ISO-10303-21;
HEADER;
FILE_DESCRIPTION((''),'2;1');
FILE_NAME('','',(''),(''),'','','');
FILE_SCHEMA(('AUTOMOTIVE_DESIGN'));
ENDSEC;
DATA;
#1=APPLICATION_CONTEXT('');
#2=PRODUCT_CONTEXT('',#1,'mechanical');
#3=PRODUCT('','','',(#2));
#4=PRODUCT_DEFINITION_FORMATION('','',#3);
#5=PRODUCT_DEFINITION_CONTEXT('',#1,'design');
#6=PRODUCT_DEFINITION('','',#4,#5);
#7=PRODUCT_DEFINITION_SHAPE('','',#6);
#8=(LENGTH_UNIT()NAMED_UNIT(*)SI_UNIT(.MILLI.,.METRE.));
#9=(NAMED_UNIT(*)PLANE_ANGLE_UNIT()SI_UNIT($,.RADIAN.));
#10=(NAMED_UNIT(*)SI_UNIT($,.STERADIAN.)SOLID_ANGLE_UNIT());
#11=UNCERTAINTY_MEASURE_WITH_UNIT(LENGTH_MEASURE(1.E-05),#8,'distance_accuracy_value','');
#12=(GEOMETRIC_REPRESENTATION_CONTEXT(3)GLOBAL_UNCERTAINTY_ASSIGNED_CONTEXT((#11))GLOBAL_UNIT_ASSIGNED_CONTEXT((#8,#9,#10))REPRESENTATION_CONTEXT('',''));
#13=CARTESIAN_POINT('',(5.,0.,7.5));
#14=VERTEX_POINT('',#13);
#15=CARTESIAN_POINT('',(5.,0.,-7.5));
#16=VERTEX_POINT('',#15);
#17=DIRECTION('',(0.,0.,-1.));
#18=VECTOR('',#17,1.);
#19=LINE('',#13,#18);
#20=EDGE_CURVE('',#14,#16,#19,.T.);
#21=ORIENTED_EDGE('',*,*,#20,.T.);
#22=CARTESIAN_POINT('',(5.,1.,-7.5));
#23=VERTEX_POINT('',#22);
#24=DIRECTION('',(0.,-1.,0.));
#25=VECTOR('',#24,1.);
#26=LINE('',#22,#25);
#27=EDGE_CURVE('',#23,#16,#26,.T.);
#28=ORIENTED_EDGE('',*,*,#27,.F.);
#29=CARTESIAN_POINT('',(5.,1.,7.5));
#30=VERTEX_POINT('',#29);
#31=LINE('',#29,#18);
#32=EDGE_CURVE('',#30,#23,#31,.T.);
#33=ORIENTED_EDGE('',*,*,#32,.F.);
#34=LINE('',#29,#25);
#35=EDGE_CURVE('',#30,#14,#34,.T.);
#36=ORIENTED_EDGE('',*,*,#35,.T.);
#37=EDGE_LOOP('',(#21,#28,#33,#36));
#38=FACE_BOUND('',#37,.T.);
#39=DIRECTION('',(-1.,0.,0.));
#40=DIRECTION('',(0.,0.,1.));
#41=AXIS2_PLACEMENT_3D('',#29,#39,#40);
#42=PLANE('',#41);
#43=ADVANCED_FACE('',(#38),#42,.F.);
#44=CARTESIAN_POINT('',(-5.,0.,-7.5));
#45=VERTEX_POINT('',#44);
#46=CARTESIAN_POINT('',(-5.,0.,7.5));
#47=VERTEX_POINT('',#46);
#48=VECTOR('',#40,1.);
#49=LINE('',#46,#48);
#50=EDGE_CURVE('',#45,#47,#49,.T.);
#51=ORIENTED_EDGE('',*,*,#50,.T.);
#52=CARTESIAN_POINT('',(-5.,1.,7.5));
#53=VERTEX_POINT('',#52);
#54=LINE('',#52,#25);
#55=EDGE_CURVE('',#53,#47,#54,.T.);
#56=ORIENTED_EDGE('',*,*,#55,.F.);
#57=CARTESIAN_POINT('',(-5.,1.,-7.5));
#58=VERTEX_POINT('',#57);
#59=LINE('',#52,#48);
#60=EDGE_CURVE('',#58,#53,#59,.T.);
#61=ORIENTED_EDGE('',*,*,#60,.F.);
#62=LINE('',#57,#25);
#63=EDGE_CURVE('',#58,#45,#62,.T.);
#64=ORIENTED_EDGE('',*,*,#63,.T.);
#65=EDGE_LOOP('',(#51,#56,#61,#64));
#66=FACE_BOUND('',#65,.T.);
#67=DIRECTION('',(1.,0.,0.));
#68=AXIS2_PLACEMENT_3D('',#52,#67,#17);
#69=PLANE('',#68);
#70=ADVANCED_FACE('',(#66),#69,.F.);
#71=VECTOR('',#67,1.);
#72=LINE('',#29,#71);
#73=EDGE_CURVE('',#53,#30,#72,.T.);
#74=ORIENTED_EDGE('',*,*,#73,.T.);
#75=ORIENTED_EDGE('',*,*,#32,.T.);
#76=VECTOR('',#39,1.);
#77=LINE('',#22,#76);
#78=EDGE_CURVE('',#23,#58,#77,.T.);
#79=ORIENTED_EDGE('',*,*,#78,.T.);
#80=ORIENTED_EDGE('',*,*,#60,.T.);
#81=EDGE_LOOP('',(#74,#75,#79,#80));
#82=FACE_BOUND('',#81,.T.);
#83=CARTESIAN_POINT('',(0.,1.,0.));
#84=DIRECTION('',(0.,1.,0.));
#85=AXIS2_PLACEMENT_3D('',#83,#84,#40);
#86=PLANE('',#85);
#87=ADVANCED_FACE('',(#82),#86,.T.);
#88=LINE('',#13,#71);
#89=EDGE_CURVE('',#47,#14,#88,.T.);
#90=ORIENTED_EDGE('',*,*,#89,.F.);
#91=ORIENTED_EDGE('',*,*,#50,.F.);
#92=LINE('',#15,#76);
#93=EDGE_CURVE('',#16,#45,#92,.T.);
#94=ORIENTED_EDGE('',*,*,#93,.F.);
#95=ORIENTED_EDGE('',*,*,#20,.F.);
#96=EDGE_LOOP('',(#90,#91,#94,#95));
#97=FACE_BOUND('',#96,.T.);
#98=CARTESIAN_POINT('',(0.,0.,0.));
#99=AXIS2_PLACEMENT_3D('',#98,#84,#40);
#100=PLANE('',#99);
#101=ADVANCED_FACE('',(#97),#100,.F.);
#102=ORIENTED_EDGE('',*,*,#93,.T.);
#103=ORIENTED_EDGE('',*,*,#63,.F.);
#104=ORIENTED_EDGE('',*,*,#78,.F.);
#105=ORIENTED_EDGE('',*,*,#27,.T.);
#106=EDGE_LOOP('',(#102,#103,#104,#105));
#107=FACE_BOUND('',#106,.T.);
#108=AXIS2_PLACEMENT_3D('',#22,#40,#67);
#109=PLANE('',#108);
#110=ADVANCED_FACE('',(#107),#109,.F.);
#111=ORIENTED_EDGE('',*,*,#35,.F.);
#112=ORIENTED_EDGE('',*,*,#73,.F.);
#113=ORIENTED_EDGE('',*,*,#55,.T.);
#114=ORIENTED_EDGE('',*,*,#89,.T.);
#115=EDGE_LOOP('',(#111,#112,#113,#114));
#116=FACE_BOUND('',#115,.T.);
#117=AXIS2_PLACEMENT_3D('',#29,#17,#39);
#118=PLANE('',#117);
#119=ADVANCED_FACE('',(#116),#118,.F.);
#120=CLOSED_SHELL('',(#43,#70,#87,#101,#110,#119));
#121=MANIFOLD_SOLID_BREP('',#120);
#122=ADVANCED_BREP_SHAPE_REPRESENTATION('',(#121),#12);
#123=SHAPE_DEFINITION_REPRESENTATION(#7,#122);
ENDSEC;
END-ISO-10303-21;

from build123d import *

# Parameters (mm, degrees)
SKETCH2_W           = 10
SKETCH2_H           = 15
BOSS_EXTRUDE1_DEPTH = 1


with BuildPart() as part:
    # Sketch2 → Boss-Extrude1 (new body)
    with BuildSketch(Plane(origin=(0, 0, 0), x_dir=(1, 0, 0), z_dir=(0, 1, 0))):
        Rectangle(SKETCH2_W, SKETCH2_H)
    extrude(amount=BOSS_EXTRUDE1_DEPTH)


solid = part.part
